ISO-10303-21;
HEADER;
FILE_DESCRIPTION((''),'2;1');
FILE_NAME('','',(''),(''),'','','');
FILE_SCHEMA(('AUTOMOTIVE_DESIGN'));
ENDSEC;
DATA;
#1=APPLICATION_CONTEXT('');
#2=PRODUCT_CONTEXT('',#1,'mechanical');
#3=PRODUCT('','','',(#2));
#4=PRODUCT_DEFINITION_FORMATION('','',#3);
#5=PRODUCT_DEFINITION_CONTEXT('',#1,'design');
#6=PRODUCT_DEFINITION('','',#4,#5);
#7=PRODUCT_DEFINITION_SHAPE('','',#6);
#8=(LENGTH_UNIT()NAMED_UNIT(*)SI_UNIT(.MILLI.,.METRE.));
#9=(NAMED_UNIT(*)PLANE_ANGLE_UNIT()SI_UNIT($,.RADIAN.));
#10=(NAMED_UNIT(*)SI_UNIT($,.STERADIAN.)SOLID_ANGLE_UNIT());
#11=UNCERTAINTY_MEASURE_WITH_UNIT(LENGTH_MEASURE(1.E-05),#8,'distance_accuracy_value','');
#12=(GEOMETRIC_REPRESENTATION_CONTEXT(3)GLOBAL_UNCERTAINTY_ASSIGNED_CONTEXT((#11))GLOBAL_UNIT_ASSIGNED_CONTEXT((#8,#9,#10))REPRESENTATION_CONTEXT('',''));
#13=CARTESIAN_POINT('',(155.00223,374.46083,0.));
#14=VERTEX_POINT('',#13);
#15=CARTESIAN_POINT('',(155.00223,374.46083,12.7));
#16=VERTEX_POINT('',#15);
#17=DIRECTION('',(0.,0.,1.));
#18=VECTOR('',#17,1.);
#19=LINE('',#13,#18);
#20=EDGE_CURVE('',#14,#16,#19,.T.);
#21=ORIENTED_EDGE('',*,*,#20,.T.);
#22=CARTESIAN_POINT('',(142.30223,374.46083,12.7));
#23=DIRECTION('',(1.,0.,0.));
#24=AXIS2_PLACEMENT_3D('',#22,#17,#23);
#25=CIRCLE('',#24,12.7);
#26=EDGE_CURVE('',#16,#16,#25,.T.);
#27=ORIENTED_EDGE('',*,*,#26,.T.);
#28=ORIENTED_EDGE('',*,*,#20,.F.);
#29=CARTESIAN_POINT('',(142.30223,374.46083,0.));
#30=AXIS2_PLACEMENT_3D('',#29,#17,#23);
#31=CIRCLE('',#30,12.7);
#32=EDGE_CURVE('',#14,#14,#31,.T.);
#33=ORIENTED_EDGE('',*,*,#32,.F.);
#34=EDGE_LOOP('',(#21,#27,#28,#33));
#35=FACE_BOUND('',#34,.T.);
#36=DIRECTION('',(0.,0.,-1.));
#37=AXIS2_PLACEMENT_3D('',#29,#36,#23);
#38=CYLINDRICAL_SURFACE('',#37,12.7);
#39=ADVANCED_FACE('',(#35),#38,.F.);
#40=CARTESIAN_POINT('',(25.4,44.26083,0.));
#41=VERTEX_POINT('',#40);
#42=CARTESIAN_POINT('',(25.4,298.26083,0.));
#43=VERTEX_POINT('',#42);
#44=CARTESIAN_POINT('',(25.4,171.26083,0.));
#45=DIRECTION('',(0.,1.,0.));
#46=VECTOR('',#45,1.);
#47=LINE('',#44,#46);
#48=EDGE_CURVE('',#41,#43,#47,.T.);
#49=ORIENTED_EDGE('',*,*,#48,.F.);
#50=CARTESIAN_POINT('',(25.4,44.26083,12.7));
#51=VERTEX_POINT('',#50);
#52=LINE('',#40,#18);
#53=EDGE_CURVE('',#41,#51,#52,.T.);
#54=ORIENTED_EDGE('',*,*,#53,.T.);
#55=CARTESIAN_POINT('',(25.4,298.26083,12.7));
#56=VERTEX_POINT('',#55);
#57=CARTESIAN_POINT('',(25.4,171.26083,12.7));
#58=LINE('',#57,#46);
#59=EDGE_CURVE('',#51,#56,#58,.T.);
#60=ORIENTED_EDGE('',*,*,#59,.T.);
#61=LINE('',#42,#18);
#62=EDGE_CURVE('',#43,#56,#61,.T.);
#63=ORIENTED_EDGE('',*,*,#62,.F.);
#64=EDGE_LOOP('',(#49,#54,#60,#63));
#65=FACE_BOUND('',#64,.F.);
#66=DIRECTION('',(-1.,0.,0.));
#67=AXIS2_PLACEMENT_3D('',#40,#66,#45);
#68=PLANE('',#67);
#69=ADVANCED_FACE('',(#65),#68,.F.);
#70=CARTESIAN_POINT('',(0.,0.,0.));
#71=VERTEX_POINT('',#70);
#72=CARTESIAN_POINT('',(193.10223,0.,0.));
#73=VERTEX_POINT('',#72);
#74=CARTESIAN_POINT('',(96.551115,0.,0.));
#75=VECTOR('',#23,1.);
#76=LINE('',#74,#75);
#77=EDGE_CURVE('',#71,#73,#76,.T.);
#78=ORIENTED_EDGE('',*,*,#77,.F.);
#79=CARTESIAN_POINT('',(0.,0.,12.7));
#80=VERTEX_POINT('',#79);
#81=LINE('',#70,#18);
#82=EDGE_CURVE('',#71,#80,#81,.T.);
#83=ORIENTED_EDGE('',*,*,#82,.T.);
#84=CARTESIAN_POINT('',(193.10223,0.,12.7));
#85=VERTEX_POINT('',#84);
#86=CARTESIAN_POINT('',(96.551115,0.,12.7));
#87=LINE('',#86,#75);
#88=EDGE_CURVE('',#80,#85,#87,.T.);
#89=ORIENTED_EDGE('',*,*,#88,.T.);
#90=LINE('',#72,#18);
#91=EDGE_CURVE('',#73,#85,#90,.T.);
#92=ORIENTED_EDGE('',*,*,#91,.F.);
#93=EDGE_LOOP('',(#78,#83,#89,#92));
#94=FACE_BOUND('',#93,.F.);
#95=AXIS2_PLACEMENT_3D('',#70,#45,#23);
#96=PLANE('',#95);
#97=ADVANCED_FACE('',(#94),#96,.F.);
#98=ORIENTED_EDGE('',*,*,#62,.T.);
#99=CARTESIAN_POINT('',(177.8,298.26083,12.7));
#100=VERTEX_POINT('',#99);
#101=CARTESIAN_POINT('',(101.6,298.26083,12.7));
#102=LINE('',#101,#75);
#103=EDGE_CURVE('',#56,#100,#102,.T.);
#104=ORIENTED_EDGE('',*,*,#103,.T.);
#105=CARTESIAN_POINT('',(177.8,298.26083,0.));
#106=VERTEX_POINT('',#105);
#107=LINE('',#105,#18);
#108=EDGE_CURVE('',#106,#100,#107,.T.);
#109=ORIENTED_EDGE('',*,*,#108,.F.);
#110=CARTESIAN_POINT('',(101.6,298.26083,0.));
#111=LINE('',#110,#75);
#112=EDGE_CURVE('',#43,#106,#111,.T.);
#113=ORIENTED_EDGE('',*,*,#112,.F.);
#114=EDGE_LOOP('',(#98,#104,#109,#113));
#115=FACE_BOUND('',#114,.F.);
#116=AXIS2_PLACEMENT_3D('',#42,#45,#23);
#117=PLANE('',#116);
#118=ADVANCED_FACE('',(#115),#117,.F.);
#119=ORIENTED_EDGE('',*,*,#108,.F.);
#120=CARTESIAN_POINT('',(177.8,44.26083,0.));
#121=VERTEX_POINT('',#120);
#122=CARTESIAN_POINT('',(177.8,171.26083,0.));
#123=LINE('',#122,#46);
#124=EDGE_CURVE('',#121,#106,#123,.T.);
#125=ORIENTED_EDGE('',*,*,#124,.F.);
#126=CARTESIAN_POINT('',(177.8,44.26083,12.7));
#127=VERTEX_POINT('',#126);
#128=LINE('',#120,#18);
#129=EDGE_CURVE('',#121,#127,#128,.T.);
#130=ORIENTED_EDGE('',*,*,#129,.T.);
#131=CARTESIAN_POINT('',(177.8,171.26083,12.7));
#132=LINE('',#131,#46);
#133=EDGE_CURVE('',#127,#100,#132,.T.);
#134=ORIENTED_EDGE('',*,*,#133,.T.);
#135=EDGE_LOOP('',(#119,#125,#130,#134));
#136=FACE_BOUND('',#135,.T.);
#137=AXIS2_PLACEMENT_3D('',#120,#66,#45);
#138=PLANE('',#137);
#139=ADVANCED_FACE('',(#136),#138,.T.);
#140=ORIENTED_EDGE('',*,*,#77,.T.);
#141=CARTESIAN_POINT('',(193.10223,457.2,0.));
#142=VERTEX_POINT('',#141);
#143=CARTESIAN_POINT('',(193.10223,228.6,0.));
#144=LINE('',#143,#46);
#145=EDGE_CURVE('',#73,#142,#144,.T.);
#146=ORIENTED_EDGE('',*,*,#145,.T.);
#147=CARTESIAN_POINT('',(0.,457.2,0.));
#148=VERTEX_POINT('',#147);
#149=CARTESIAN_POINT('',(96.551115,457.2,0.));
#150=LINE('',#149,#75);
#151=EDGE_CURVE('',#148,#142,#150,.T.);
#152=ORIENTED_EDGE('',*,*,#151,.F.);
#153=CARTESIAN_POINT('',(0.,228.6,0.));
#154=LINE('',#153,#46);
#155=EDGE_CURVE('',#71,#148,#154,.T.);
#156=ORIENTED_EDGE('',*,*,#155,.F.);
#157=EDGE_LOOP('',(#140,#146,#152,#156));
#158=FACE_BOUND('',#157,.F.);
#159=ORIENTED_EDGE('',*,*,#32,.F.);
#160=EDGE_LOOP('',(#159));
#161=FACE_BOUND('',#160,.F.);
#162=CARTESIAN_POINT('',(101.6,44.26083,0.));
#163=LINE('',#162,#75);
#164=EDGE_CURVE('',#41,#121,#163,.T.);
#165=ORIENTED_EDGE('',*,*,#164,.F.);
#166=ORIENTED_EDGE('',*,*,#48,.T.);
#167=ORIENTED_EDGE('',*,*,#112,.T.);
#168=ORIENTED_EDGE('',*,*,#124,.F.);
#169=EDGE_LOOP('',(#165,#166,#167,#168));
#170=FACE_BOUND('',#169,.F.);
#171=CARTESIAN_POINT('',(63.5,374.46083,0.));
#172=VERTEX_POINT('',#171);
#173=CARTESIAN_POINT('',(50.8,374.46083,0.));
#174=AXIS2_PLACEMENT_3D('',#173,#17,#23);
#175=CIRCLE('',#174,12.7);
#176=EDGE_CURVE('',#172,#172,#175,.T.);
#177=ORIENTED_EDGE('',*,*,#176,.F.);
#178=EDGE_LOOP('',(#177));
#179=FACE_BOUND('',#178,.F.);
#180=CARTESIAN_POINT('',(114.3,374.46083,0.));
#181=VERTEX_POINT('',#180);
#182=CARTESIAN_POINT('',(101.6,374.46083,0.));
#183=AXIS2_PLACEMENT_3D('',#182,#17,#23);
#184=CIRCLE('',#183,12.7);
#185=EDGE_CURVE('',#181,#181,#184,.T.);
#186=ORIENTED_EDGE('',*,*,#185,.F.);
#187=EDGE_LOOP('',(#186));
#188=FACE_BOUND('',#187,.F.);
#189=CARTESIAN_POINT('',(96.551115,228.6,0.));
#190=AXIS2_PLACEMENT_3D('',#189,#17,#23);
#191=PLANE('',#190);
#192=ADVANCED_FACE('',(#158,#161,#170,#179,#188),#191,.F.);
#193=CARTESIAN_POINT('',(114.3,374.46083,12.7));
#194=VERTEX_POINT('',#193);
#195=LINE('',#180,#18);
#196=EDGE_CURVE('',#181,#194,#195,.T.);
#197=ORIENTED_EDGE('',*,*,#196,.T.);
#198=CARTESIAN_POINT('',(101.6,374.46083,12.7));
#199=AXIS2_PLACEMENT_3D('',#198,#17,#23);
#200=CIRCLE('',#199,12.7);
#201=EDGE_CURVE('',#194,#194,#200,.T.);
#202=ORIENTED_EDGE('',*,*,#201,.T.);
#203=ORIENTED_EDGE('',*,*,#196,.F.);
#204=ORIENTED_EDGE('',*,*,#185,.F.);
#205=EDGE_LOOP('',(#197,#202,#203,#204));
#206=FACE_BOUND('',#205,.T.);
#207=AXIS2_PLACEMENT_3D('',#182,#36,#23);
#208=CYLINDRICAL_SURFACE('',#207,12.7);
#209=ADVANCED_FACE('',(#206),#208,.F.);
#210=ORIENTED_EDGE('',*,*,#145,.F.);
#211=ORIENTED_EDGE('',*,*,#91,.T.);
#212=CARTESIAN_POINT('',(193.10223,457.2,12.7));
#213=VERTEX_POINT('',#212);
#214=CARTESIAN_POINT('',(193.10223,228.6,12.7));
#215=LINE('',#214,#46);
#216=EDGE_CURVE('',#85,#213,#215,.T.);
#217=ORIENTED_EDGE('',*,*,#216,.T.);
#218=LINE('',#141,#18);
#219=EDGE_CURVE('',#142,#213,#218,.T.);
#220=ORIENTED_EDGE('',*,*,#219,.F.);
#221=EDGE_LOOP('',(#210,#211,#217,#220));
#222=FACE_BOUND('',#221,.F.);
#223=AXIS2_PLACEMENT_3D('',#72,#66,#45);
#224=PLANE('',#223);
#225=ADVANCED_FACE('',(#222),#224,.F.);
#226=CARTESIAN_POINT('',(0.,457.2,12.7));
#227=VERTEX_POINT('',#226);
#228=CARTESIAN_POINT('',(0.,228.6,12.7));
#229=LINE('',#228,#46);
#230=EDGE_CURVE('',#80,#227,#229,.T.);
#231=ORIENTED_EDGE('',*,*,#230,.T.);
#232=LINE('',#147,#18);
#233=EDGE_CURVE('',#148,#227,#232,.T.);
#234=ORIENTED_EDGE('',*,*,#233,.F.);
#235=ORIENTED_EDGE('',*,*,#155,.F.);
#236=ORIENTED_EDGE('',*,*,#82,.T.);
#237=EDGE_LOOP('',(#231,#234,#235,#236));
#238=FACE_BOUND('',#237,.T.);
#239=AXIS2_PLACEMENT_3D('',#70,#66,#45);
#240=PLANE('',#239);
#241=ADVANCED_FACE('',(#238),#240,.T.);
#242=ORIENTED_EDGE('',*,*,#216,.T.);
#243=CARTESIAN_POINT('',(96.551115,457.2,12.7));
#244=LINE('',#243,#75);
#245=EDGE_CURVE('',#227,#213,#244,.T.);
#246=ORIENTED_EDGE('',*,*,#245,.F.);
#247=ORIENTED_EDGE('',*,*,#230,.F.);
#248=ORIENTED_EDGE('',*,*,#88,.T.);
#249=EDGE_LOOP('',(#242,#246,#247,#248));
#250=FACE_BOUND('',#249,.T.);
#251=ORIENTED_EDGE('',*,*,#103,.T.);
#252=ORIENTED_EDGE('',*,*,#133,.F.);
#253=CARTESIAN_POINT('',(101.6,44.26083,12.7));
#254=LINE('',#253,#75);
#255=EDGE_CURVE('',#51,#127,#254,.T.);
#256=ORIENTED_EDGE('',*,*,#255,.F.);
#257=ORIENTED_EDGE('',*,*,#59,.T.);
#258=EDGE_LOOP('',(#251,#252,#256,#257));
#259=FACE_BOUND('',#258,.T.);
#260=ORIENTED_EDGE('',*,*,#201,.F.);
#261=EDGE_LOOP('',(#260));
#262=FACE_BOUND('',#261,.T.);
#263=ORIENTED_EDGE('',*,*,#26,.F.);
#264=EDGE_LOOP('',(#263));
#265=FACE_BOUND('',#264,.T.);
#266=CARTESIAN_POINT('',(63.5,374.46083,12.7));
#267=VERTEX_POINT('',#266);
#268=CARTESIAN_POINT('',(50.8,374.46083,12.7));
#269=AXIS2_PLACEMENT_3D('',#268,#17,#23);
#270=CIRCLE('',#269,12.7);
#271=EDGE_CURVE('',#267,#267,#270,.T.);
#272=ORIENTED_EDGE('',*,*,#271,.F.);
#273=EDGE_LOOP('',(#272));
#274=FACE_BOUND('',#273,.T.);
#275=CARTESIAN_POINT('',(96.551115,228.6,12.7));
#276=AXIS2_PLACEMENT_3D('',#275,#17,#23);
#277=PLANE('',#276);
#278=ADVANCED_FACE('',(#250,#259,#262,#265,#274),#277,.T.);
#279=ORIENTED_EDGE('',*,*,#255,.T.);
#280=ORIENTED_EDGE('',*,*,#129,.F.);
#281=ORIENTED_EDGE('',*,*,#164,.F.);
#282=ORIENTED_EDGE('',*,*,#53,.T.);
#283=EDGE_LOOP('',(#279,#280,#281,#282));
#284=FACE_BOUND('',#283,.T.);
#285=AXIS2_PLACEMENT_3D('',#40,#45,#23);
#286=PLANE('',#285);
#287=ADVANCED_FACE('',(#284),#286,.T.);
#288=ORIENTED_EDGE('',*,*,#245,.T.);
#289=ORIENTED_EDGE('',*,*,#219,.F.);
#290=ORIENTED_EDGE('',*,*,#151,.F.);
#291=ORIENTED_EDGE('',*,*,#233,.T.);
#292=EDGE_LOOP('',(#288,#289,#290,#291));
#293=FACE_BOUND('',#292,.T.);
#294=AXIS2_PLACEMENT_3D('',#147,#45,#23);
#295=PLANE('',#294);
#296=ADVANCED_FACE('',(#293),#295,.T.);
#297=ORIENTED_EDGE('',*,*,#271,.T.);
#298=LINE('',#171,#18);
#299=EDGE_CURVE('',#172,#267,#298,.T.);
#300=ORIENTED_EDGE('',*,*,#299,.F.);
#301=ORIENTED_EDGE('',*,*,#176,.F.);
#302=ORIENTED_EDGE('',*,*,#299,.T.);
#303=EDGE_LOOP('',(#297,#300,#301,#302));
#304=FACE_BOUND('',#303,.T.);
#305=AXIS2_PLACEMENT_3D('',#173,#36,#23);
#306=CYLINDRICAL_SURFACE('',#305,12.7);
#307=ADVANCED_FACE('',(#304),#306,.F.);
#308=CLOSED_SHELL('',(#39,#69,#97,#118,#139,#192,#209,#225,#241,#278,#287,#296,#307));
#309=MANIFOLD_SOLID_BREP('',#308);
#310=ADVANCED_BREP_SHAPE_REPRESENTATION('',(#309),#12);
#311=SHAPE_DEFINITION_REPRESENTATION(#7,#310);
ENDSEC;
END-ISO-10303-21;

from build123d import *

# Parameters (mm, degrees)
F0_W     = 193.10223
F0_H     = 457.2
F0_W_2   = 152.4
F0_H_2   = 254
F0_R     = 12.7
F1_DEPTH = 12.7


with BuildPart() as f1:
    # F0 (on Top) → F1 (new body)
    with BuildSketch(Plane.XY):
        with Locations((96.551115, 228.6)):
            Rectangle(F0_W, F0_H)
        with Locations((101.6, 171.26083)):
            Rectangle(F0_W_2, F0_H_2, mode=Mode.SUBTRACT)
        with Locations((50.8, 374.46083)):
            Circle(F0_R, mode=Mode.SUBTRACT)
        with Locations((101.6, 374.46083)):
            Circle(F0_R, mode=Mode.SUBTRACT)
        with Locations((142.30223, 374.46083)):
            Circle(F0_R, mode=Mode.SUBTRACT)
    extrude(amount=F1_DEPTH)


solid = f1.part
